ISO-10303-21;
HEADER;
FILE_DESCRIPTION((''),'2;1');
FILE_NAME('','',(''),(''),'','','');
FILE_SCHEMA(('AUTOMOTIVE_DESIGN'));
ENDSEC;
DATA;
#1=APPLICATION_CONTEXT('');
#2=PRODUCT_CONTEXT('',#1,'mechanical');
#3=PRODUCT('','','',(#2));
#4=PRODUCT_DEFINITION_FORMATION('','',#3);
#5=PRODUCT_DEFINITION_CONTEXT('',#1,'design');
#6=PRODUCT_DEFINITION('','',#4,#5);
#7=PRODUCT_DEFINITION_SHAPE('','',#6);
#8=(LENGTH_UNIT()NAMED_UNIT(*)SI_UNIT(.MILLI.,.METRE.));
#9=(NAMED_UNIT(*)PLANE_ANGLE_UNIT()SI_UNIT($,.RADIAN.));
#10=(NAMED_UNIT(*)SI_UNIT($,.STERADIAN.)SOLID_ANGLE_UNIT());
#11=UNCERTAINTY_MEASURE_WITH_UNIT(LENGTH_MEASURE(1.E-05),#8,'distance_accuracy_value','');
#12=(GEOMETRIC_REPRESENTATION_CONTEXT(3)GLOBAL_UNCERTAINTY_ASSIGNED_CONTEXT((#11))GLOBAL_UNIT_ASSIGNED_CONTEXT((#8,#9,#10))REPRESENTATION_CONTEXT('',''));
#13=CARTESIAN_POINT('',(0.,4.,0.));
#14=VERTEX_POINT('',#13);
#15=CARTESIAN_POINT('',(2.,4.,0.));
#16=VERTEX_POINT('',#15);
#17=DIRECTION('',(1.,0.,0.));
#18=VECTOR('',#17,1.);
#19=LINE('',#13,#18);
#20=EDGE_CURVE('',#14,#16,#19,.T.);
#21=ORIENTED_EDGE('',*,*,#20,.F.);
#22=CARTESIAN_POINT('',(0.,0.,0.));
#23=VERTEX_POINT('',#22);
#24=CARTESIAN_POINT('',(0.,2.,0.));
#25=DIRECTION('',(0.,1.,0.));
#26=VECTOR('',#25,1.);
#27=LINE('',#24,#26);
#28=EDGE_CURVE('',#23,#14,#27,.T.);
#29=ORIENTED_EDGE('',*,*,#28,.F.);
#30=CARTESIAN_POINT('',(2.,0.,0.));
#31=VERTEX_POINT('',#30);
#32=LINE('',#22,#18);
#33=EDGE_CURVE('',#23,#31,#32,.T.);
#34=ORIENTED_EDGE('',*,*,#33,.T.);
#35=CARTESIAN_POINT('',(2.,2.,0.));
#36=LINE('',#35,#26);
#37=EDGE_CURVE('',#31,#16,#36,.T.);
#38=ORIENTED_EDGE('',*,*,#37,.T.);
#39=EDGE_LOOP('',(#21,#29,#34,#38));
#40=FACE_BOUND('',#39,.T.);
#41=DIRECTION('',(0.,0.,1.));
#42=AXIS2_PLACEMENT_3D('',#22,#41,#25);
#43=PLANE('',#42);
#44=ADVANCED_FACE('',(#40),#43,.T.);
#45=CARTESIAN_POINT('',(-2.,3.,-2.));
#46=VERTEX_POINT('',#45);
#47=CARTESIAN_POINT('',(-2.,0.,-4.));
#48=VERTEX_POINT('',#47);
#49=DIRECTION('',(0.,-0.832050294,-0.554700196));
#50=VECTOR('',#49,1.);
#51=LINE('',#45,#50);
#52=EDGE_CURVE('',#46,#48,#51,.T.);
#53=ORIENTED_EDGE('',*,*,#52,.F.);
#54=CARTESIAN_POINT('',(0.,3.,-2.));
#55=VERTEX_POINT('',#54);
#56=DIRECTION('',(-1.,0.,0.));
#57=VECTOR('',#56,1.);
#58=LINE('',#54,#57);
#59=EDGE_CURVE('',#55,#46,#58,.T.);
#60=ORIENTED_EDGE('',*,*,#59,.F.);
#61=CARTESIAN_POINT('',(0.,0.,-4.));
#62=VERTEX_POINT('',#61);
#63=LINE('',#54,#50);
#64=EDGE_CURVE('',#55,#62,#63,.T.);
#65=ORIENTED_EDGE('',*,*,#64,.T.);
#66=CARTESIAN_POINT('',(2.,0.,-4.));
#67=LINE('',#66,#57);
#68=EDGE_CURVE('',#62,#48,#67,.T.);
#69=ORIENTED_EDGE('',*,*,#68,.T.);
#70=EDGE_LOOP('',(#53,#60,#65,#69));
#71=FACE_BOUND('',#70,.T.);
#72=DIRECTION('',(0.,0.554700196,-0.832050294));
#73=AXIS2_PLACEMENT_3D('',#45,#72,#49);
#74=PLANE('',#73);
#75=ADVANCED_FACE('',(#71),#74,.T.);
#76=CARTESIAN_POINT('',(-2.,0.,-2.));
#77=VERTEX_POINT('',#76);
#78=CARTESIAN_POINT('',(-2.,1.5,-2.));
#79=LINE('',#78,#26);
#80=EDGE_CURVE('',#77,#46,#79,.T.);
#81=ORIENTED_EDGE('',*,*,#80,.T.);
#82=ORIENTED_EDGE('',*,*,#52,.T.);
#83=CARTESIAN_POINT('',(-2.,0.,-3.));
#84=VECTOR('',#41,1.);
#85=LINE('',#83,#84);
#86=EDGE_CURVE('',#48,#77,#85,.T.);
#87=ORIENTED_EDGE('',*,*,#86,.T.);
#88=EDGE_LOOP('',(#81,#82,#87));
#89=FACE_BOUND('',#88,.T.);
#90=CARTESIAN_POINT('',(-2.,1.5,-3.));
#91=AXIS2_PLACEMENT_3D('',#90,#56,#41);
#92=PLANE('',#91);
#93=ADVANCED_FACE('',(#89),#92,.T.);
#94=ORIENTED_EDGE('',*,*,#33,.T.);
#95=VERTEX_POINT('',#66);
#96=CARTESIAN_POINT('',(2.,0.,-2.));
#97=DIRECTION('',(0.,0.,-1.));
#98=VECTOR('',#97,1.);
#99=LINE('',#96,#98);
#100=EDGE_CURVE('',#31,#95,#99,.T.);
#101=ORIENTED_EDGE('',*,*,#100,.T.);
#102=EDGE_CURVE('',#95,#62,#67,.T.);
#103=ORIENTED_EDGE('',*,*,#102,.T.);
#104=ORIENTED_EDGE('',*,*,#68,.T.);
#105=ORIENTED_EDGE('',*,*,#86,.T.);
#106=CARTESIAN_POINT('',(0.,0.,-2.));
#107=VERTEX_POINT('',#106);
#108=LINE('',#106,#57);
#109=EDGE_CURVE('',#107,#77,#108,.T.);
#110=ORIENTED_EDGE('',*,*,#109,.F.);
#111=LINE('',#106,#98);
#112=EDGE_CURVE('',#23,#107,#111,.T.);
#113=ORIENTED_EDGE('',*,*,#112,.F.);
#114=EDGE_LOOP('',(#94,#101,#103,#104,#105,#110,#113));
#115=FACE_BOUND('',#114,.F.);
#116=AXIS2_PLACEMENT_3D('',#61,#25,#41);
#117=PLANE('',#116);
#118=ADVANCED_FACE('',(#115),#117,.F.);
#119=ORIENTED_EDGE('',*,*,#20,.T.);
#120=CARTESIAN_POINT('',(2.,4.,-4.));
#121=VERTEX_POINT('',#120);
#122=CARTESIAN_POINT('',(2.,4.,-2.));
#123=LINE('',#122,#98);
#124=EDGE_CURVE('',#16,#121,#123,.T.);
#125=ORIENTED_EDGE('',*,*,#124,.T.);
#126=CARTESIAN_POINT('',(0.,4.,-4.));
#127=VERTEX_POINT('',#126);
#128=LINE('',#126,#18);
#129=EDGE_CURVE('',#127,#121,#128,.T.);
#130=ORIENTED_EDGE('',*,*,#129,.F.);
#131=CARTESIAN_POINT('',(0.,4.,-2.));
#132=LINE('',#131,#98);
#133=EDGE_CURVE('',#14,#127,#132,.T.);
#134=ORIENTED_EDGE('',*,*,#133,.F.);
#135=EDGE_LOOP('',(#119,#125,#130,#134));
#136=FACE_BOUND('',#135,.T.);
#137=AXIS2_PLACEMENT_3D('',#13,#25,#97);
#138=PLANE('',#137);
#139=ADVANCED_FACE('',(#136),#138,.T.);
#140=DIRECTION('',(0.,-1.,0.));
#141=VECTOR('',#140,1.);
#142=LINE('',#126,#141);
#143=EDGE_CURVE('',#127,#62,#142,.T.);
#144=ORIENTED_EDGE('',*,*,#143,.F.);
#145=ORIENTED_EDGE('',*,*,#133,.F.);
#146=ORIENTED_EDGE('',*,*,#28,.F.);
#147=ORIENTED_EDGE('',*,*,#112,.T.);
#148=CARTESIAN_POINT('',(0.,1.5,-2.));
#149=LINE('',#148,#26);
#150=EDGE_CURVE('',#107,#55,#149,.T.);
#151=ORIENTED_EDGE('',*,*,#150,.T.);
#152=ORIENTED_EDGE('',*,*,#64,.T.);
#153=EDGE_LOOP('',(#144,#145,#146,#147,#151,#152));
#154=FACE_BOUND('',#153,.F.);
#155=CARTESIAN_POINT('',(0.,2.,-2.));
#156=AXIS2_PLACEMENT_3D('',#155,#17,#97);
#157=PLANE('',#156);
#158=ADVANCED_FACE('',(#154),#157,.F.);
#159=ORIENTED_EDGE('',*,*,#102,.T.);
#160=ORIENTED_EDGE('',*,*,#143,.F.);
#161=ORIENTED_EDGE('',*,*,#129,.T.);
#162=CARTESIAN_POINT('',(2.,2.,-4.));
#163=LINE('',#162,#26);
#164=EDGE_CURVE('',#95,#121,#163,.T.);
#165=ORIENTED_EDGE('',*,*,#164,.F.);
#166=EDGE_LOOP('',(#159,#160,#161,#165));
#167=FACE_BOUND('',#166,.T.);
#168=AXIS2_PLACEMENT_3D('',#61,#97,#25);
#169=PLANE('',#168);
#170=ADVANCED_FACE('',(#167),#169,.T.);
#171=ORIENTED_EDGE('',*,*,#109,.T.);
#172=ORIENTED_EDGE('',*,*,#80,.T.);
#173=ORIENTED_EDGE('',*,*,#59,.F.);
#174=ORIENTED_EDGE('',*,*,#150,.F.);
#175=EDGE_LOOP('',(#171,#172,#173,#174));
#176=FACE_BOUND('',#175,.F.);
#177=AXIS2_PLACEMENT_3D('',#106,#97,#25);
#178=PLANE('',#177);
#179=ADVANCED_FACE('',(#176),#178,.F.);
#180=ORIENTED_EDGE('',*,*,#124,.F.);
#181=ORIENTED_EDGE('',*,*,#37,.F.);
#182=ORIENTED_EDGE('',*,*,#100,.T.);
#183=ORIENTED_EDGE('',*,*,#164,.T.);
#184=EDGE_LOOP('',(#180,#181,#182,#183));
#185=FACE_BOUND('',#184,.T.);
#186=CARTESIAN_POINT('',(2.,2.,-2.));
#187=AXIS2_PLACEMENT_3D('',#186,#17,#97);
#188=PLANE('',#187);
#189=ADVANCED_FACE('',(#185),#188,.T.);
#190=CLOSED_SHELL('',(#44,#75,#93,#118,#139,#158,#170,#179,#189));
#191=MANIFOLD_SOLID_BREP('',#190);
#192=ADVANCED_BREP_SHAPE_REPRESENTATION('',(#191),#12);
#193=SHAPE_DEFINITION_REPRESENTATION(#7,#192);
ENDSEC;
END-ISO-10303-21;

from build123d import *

# Parameters (mm, degrees)
SKETCH1_W           = 4
SKETCH1_H           = 4
BOSS_EXTRUDE1_DEPTH = 2
SKETCH2_W           = 2
SKETCH2_H           = 3
BOSS_EXTRUDE2_DEPTH = 2
CUT_EXTRUDE1_DEPTH  = 2


with BuildPart() as part:
    # Sketch1 → Boss-Extrude1 (new body)
    with BuildSketch(Plane(origin=(0, 0, 0), x_dir=(0, 0, -1), z_dir=(1, 0, 0))):
        with Locations((2, 2)):
            Rectangle(SKETCH1_W, SKETCH1_H)
    extrude(amount=BOSS_EXTRUDE1_DEPTH)

    # Sketch2 → Boss-Extrude2 (add)
    with BuildSketch(Plane.ZY):
        with Locations((-3, 1.5)):
            Rectangle(SKETCH2_W, SKETCH2_H)
    extrude(amount=BOSS_EXTRUDE2_DEPTH)

    # Sketch3 → Cut-Extrude1 (cut)
    with BuildSketch(Plane.ZY.offset(2)):
        Polygon((-2, 3), (-4, 0), (-4, 3), align=None)
    extrude(amount=-CUT_EXTRUDE1_DEPTH, mode=Mode.SUBTRACT)


solid = part.part
